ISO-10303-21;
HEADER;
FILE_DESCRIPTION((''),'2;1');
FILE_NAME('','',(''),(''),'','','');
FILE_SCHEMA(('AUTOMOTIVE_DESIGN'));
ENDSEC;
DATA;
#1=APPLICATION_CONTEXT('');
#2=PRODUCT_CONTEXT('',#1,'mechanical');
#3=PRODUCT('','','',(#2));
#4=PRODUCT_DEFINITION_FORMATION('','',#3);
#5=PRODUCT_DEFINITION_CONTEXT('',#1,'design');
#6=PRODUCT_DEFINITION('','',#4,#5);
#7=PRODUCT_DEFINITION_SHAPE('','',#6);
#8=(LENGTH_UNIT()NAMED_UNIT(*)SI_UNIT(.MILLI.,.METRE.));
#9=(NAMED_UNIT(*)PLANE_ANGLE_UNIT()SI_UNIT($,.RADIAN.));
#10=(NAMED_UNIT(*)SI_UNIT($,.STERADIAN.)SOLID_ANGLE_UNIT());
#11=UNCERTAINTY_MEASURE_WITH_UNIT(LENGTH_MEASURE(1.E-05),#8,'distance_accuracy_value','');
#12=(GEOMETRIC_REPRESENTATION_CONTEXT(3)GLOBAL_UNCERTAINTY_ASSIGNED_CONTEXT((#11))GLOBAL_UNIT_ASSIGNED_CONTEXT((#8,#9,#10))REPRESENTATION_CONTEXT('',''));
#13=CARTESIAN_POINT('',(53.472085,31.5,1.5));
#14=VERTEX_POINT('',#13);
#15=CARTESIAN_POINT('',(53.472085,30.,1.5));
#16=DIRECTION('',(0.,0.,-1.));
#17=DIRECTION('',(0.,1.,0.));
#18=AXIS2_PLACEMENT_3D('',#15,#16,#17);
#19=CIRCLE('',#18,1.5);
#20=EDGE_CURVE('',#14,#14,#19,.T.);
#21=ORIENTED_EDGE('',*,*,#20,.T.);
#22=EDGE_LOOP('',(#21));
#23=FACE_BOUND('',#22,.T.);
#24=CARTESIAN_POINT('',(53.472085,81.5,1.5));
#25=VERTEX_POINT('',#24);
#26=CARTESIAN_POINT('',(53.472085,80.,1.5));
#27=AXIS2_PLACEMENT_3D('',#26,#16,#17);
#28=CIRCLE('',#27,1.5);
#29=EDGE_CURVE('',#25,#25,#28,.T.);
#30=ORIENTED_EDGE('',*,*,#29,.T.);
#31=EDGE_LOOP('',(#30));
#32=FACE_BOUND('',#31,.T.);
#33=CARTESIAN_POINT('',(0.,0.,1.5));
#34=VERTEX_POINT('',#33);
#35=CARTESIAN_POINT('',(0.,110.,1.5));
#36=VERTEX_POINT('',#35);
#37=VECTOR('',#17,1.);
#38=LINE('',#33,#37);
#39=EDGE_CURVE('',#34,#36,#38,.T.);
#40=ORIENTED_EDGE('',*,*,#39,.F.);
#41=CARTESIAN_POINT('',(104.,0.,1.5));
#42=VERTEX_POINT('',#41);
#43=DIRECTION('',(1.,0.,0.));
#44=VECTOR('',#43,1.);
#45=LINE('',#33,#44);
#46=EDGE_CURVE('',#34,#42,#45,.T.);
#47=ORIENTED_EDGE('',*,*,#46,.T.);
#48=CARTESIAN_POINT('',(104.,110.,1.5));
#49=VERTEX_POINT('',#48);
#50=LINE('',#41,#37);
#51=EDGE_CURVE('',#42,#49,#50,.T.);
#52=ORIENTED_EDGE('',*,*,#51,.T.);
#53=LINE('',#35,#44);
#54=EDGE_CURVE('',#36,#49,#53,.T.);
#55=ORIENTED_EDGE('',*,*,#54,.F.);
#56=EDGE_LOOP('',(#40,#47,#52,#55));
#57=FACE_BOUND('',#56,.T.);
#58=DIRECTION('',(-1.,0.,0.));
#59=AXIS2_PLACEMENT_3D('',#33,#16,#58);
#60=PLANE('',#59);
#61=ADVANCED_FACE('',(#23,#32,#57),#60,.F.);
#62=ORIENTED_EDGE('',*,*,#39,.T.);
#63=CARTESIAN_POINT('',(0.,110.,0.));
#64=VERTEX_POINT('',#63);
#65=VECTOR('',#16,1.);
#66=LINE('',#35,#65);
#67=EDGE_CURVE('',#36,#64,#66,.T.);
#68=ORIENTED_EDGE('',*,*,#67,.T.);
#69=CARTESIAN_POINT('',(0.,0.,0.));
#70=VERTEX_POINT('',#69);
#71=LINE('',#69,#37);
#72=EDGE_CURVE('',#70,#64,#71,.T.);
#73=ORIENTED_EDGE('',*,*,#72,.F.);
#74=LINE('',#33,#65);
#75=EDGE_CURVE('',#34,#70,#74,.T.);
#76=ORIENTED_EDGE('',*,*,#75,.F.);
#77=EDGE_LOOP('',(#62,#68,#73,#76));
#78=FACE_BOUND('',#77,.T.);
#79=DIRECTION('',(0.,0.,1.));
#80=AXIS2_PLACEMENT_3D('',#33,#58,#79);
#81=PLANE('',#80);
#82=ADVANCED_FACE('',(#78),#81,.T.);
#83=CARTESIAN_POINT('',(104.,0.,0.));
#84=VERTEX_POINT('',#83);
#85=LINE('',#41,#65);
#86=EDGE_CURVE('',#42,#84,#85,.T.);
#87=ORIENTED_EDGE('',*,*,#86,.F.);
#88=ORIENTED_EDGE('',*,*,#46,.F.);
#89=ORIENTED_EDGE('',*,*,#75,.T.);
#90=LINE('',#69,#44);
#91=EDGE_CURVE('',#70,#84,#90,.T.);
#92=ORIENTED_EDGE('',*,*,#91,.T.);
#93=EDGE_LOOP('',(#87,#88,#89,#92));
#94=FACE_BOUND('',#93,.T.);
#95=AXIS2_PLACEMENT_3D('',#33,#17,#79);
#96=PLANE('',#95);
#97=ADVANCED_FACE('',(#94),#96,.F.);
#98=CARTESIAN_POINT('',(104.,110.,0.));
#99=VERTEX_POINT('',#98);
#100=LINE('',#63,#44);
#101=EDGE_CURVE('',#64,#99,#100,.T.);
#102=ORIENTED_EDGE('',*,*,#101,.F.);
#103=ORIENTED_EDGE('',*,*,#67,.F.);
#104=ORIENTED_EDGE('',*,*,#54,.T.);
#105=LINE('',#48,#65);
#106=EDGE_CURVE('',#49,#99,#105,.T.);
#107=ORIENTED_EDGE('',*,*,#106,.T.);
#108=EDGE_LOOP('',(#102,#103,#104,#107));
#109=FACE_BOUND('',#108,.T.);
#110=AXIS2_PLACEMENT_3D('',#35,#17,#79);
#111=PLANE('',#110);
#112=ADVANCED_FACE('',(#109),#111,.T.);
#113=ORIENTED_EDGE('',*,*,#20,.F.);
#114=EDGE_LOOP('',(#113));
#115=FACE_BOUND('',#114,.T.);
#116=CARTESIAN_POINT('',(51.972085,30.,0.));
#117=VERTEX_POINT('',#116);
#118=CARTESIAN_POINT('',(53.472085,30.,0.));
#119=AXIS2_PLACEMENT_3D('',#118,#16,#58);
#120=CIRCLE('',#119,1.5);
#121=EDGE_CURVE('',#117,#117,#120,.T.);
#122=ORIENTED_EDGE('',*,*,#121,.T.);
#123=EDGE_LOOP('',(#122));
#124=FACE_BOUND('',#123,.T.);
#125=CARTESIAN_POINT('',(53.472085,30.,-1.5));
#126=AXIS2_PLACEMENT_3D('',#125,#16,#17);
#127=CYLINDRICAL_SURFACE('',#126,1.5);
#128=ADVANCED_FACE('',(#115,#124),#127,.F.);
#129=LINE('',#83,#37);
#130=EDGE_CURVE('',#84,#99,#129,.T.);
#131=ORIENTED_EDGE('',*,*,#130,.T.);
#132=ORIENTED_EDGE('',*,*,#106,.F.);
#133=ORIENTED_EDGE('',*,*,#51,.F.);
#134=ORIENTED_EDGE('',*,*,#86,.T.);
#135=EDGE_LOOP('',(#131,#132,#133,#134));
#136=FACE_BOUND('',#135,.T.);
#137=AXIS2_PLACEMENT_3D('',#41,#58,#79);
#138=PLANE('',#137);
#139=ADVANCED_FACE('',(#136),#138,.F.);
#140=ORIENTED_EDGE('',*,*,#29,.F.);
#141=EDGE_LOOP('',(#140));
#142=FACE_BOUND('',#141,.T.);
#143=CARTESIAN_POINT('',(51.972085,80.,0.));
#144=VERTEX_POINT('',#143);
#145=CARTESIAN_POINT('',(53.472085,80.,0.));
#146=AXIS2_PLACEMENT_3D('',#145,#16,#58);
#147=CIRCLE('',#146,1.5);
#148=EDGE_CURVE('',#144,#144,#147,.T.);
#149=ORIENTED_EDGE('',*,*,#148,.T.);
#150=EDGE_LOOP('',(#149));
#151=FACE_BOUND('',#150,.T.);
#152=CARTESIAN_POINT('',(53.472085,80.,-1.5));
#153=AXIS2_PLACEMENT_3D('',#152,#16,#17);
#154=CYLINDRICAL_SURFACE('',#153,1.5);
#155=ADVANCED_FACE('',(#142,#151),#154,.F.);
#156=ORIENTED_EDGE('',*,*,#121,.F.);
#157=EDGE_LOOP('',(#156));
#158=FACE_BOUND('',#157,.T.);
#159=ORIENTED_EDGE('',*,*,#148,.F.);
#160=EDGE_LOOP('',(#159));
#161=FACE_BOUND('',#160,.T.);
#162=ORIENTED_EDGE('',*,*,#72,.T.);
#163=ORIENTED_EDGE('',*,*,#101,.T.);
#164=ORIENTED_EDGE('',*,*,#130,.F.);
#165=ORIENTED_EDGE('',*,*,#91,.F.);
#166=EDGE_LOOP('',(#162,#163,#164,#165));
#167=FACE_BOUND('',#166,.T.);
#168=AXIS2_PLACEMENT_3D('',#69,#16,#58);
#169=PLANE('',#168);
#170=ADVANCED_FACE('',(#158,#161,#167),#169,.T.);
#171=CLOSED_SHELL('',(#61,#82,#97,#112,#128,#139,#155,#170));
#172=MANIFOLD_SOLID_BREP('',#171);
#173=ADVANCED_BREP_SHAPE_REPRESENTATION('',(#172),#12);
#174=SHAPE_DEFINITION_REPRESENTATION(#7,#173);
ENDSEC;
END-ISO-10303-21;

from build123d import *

# Parameters (mm, degrees)
SKETCH2_W             = 104
SKETCH2_H             = 110
BOSS_EXTRUDE1_DEPTH   = 1.5
F_3_0MM_DOWEL_HOLE2_D = 3


with BuildPart() as part:
    # Sketch2 → Boss-Extrude1 (new body)
    with BuildSketch(Plane.XY):
        with Locations((52, 55)):
            Rectangle(SKETCH2_W, SKETCH2_H)
    extrude(amount=BOSS_EXTRUDE1_DEPTH)

    # Ø3.0mm Dowel Hole2 (through all)
    with Locations(Plane(origin=(34.234146321, -1.119987894, -1.5), x_dir=(-1, 0, 0), z_dir=(0, 0, -1))):
        with Locations((-19.237938753, 81.119987894), (-19.237938753, 31.119987894)):
            Hole(F_3_0MM_DOWEL_HOLE2_D / 2)


solid = part.part
